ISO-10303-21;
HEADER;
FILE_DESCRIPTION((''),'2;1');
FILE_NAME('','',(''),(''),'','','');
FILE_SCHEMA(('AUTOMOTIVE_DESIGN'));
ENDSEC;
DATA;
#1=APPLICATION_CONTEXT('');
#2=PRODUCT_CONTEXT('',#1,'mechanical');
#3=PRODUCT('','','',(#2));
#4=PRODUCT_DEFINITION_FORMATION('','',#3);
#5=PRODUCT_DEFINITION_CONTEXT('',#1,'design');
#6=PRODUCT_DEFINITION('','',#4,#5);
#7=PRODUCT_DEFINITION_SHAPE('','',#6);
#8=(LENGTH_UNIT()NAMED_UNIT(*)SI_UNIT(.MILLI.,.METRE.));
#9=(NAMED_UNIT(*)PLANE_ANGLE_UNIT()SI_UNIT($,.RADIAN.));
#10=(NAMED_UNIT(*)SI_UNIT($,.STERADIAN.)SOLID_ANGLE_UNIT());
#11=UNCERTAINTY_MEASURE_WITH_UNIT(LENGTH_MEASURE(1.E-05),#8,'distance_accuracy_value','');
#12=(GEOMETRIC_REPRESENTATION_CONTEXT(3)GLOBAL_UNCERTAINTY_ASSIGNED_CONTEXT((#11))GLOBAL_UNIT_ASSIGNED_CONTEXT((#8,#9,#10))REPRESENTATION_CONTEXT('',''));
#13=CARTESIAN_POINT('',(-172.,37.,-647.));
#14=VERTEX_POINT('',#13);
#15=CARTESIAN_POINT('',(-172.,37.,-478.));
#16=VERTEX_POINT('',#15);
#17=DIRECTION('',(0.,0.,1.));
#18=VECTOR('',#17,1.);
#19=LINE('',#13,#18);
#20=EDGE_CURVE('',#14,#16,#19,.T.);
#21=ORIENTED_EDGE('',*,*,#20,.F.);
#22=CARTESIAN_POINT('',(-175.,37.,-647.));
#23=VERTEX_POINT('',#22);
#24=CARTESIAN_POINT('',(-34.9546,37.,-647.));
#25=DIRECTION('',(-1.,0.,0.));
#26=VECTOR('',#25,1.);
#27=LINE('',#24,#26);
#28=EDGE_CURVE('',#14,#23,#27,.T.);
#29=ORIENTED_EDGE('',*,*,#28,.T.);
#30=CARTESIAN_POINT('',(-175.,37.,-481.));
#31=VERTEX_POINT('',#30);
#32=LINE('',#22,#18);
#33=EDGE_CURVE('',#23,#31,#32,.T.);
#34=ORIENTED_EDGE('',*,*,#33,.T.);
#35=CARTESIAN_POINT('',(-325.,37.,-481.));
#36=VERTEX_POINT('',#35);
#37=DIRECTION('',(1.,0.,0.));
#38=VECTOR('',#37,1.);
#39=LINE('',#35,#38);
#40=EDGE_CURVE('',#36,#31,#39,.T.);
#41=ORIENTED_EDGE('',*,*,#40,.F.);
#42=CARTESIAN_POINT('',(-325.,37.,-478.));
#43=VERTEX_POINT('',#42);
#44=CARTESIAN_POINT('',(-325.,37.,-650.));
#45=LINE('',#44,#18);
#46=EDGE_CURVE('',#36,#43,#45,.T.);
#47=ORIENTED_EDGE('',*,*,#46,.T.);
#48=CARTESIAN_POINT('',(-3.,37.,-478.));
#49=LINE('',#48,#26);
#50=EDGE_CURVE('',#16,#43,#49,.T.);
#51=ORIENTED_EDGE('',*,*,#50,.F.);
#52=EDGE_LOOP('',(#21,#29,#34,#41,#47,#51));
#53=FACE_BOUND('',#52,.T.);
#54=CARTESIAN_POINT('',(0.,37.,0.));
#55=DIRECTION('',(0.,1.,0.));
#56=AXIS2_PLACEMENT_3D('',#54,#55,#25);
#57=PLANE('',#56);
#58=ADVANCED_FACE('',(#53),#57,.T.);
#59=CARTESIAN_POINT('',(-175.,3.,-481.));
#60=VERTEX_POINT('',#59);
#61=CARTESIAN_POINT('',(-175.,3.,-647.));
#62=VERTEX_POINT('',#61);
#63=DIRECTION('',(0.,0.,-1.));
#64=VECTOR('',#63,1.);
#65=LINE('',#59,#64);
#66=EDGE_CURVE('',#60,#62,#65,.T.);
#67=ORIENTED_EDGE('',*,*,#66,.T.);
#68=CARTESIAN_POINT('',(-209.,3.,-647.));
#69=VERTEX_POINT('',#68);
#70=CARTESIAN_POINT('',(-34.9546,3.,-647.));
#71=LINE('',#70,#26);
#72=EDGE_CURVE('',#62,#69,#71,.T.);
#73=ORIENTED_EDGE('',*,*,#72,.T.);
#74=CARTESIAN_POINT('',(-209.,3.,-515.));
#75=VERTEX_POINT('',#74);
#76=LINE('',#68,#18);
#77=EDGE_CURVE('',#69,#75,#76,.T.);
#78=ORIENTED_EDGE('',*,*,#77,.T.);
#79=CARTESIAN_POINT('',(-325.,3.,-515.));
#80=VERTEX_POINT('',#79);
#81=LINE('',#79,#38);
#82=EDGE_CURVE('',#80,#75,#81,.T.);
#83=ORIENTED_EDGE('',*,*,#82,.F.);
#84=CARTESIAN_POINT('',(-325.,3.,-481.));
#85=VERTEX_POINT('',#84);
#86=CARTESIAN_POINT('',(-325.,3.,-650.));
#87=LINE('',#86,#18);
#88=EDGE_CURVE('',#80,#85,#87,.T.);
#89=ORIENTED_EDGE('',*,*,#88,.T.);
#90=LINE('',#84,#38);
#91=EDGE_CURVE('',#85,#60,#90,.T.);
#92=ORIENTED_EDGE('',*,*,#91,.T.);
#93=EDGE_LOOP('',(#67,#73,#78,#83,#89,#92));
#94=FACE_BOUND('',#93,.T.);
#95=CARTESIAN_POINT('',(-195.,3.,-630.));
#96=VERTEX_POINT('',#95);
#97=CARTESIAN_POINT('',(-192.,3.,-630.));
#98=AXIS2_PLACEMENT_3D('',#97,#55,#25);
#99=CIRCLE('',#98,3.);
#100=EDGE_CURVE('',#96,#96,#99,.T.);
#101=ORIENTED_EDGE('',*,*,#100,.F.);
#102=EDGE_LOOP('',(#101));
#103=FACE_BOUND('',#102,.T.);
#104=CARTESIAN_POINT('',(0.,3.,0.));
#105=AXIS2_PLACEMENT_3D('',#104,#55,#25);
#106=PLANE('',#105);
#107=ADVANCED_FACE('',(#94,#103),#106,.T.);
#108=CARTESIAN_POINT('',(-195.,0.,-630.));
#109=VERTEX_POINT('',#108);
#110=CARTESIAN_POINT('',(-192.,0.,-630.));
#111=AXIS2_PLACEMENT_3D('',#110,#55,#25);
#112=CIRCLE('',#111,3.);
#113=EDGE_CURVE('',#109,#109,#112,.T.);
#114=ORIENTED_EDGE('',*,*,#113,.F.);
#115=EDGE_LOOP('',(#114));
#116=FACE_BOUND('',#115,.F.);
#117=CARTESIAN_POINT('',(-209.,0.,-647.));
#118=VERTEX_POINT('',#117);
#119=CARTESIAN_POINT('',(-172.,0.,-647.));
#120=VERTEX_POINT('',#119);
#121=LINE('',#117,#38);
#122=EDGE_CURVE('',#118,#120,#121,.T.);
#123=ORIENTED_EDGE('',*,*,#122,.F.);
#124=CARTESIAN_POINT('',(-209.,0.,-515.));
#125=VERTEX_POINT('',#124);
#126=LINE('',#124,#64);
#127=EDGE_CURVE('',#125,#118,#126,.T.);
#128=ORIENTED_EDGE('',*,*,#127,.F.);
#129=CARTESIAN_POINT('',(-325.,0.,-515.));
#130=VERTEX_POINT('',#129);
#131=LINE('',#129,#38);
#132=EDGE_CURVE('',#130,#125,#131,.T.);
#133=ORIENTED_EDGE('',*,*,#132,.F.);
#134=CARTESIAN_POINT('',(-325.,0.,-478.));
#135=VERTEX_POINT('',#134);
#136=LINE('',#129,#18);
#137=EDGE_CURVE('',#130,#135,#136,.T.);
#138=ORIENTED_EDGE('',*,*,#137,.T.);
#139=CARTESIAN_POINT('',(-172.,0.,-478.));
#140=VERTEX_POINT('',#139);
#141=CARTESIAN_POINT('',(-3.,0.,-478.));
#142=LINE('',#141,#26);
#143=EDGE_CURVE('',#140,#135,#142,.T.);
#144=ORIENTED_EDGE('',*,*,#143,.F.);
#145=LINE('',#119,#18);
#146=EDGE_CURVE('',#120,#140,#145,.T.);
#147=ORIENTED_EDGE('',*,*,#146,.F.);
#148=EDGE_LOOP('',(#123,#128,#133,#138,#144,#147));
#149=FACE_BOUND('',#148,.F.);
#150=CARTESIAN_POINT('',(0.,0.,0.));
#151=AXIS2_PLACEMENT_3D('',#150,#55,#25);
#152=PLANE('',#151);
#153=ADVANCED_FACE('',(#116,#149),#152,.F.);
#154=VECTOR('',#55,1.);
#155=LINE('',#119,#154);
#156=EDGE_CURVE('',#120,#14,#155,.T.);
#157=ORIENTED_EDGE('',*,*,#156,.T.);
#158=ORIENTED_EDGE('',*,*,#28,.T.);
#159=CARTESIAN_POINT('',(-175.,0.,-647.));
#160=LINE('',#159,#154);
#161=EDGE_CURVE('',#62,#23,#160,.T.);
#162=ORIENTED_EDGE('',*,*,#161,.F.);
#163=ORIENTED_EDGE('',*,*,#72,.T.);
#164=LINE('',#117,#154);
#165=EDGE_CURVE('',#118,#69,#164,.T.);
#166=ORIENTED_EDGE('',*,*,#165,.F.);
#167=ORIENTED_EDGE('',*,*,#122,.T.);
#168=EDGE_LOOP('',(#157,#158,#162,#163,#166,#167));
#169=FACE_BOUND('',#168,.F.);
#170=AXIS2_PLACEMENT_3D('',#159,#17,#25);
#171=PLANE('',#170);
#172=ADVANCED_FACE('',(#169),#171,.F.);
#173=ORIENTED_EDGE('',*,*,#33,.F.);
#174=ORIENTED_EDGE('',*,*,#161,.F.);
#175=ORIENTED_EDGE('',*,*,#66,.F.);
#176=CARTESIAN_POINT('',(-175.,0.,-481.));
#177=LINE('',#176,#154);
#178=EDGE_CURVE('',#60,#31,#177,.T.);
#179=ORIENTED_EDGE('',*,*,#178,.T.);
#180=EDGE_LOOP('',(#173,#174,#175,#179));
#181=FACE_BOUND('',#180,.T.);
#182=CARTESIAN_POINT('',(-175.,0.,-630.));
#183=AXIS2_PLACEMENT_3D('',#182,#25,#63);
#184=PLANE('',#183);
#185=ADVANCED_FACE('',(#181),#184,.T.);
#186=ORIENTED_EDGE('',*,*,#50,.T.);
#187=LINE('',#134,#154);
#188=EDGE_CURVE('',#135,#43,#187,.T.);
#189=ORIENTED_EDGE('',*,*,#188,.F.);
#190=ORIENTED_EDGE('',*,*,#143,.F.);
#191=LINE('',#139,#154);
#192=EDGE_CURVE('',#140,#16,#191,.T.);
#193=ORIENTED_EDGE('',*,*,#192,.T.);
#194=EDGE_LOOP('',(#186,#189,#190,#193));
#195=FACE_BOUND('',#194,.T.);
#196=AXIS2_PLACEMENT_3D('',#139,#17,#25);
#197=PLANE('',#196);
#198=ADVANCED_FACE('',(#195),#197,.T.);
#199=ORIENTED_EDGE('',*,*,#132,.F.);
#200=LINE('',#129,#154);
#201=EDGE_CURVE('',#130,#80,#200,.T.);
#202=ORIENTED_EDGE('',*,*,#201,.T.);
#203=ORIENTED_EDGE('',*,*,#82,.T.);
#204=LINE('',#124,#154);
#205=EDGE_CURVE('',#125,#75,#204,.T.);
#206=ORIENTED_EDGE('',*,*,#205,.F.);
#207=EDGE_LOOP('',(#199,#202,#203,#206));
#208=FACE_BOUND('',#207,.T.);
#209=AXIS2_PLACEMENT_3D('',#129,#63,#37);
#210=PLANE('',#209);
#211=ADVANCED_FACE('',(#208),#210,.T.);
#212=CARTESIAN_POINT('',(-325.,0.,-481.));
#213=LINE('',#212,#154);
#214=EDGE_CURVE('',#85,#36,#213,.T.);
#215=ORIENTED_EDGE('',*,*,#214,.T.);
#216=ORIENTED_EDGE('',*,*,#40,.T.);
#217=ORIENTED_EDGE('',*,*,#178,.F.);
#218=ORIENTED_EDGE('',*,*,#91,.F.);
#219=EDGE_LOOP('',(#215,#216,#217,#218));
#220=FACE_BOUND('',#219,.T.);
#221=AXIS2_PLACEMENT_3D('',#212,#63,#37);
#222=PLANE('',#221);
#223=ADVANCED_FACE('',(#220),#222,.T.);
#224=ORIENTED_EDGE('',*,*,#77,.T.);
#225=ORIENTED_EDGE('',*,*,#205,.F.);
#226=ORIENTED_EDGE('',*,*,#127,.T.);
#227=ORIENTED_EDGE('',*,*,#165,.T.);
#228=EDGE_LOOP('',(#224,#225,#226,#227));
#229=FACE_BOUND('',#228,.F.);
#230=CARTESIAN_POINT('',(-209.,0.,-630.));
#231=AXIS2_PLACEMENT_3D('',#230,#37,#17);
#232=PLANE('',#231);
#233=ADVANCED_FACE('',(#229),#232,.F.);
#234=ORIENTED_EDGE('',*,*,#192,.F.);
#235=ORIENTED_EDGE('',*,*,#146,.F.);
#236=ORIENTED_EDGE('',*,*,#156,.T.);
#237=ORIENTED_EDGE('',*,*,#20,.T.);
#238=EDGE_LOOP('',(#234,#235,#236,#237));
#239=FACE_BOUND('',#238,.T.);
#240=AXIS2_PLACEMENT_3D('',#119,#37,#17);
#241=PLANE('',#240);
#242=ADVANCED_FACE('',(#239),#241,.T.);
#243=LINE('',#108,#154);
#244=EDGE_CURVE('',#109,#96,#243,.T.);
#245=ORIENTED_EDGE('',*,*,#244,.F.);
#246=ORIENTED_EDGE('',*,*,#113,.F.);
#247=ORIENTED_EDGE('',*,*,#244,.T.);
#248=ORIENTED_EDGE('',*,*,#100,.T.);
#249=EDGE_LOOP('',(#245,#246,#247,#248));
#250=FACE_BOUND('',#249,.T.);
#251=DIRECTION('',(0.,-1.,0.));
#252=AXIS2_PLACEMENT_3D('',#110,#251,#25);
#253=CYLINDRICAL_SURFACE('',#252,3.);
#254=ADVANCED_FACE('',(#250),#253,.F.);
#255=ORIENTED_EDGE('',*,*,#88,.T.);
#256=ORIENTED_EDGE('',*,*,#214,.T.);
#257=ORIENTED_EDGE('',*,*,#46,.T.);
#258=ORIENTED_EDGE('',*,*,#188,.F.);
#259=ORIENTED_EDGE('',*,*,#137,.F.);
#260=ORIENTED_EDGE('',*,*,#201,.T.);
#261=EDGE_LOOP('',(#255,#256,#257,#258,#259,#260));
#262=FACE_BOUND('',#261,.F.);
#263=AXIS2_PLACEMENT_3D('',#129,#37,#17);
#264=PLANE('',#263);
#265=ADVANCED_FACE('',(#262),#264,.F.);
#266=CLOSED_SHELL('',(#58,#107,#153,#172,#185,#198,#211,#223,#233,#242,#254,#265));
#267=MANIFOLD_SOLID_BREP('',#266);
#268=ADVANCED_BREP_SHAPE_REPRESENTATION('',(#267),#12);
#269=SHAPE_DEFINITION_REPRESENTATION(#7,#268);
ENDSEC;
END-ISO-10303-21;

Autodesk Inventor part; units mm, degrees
ref_plane "YZ Plane" through (0, 0, 0) normal (1, 0, 0) x (0, 1, 0)
ref_plane "XZ Plane" through (0, 0, 0) normal (0, 1, 0) x (-1, 0, 0)
ref_plane "XY Plane" through (0, 0, 0) normal (0, 0, 1) x (1, 0, 0)
sketch "Sketch1" plane through (0, 0, 0) normal (0, 1, 0) x (-1, 0, 0)
  line L0 (0, 0) -> (0, -650)
  line L1 (0, -650) -> (650, -650)
  line L2 (650, -650) -> (650, 0)
  line L3 (650, 0) -> (0, 0)
  line L4 (0, 0) -> (3, 0)
  line L5 (3, -3) -> (3, -647)
  line L6 (3, -650) -> (0, -650)
  line L7 (0, -650) -> (0, -647)
  line L8 (650, -647) -> (650, -650)
  line L9 (650, -650) -> (647, -650)
  line L10 (647, -650) -> (647, 0)
  line L11 (647, 0) -> (650, 0)
  line L12 (650, 0) -> (650, -3)
  line L13 (0, -3) -> (0, 0)
  line L14 (0, 0) -> (0, -37)
  line L15 (650, -37) -> (650, 0)
  line L16 (650, 0) -> (613, 0)
  line L17 (613, 0) -> (613, -650)
  line L18 (613, -650) -> (650, -650)
  line L19 (650, -650) -> (650, -613)
  line L20 (0, -613) -> (0, -650)
  line L21 (0, -650) -> (37, -650)
  line L22 (37, 0) -> (0, 0)
  line L23 (3, -147.3087) -> (3, -94.9828)
  line L24 (147.3087, -3) -> (94.9828, -3)
  circle A0 centre (16.1109, -108.0348) radius 3
  line L25 (0, -650) -> (3, -650)
  line L26 (0, -647) -> (0, -650)
  line L27 (0, -650) -> (0, -613)
  line L28 (37, -650) -> (0, -650)
  line L29 (3, -502.6913) -> (3, -555.0172)
  line L30 (147.3087, -647) -> (94.9828, -647)
  circle A1 centre (16.1109, -541.9652) radius 3
  line L31 (37, -650) -> (37, -37)
  line L32 (37, -3) -> (37, 0)
  line L33 (650, -3) -> (34.9546, -3)
  line L34 (34.9546, -647) -> (650, -647)
  line L35 (37, -37) -> (0, 0)
  line L36 (37, -613) -> (0, -650)
  line L37 (0, -650) -> (3, -647)
  line L38 (3, -647) -> (3, -3)
  line L39 (3, -3) -> (0, 0)
  line L40 (3, -325) -> (3, -458)
  line L41 (3, -458) -> (20, -458)
  line L42 (3, -325) -> (3, -192)
  line L43 (3, -192) -> (20, -192)
  circle A2 centre (20, -192) radius 3
  circle A3 centre (20, -458) radius 3
  line L44 (325, -650) -> (192, -650)
  circle A4 centre (192, -630) radius 3
  line L45 (3, -458) -> (3, -475)
  line L46 (3, -475) -> (647, -475)
  line L47 (3, -475) -> (3, -478)
  line L48 (3, -478) -> (647, -478)
  line L49 (175, -630) -> (175, -481)
  line L50 (175, -630) -> (175, -647)
  line L51 (209, -630) -> (209, -647)
  line L52 (209, -647) -> (175, -647)
  line L53 (175, -647) -> (172, -647)
  line L54 (172, -647) -> (172, -478)
  line L55 (325, -650) -> (325, -478)
  line L56 (325, -478) -> (172, -478)
  line L57 (325, -478) -> (325, -481)
  line L58 (325, -481) -> (175, -481)
  line L59 (325, -481) -> (325, -515)
  line L60 (325, -515) -> (209, -515)
  line L61 (209, -630) -> (209, -515)
  point P0 (37, -647)
  dimension "d0" = 650
  dimension "d1" = 650
  dimension "d2" = 650
  dimension "d3" = 3
  dimension "d4" = 650
  dimension "d5" = 3
  dimension "d6" = 3
  dimension "d7" = 650
  dimension "d8" = 3
  dimension "d9" = 650
  dimension "d10" = 37
  dimension "d12" = 37
  dimension "d13" = 650
  dimension "d14" = 37
  dimension "d15" = 650
  dimension "d16" = 37
  dimension "d28" = 6
  dimension "d33" = 133
  dimension "d34" = 17
  dimension "d35" = 133
  dimension "d36" = 17
  dimension "d37" = 6
  dimension "d38" = 6
  dimension "d41" = 133
  dimension "d43" = 6
  dimension "d44" = 17
  dimension "d45" = 3
  dimension "d47" = 17
  dimension "d48" = 3
  dimension "d49" = 3
  dimension "d50" = 34
extrude "Extrusion4" add sketch "Sketch1" along normal blind 3 contours L55 L60 L61 L51 L34 L50 L49 L58
extrude "Extrusion5" add sketch "Sketch1" along normal blind 37 contours L48 L55 L58 L49 L50 L34 L54
properties part number "body_inner_L_support"
